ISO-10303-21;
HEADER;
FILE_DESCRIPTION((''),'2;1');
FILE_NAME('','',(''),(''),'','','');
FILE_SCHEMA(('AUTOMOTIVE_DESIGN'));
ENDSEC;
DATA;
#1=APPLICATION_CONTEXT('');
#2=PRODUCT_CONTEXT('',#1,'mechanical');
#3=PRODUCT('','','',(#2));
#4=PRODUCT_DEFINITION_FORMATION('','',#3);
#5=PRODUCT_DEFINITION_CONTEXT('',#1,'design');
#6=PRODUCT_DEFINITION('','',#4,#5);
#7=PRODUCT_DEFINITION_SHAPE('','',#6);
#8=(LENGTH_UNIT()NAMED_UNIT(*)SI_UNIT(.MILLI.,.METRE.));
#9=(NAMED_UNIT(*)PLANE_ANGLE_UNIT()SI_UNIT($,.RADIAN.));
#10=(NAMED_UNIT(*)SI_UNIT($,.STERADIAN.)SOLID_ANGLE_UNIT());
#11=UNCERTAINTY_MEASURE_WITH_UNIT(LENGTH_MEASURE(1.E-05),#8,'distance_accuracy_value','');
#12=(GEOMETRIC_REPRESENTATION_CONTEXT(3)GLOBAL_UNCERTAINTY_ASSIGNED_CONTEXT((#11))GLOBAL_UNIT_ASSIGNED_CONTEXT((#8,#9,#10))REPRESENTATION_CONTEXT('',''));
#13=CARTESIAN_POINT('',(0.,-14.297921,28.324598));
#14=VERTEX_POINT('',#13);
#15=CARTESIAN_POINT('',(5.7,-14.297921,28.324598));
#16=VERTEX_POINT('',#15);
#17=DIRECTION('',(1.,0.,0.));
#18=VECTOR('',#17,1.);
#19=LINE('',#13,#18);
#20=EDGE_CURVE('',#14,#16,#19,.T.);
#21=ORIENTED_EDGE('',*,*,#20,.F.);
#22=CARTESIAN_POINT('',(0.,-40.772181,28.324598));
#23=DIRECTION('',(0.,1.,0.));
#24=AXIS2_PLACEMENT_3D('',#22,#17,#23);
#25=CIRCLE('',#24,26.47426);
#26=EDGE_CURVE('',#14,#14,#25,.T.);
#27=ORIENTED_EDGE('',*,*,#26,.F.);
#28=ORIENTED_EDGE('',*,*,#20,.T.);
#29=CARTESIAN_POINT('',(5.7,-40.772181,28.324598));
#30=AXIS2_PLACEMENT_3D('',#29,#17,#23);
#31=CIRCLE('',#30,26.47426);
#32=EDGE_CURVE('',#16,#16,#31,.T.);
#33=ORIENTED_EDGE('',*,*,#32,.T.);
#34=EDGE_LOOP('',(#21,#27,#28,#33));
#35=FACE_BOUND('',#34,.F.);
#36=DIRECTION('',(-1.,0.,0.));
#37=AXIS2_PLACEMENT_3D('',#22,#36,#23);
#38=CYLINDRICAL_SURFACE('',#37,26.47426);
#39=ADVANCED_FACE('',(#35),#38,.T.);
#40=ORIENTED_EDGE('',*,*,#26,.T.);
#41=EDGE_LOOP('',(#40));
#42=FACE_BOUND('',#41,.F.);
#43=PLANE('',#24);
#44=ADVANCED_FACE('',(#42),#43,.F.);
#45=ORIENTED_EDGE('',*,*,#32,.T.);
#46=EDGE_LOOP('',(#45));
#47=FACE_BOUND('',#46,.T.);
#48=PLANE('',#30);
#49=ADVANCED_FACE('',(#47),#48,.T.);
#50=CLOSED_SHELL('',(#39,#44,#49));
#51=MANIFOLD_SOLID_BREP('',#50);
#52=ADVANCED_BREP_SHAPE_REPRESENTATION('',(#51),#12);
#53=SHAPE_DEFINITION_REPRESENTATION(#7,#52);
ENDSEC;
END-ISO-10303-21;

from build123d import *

# Parameters (mm, degrees)
F0_R     = 26.47426
F0_R_2   = 22.172227
F1_DEPTH = 5.7


with BuildPart() as f1:
    # F0 (on Right) → F1 (new body)
    with BuildSketch(Plane.YZ):
        with Locations((-40.772181, 28.324598)):
            Circle(F0_R)
        with Locations((-40.772181, 28.324598)):
            Circle(F0_R_2, mode=Mode.SUBTRACT)
        with Locations((-40.772181, 28.324598)):
            Circle(F0_R_2)
    extrude(amount=F1_DEPTH)


solid = f1.part
